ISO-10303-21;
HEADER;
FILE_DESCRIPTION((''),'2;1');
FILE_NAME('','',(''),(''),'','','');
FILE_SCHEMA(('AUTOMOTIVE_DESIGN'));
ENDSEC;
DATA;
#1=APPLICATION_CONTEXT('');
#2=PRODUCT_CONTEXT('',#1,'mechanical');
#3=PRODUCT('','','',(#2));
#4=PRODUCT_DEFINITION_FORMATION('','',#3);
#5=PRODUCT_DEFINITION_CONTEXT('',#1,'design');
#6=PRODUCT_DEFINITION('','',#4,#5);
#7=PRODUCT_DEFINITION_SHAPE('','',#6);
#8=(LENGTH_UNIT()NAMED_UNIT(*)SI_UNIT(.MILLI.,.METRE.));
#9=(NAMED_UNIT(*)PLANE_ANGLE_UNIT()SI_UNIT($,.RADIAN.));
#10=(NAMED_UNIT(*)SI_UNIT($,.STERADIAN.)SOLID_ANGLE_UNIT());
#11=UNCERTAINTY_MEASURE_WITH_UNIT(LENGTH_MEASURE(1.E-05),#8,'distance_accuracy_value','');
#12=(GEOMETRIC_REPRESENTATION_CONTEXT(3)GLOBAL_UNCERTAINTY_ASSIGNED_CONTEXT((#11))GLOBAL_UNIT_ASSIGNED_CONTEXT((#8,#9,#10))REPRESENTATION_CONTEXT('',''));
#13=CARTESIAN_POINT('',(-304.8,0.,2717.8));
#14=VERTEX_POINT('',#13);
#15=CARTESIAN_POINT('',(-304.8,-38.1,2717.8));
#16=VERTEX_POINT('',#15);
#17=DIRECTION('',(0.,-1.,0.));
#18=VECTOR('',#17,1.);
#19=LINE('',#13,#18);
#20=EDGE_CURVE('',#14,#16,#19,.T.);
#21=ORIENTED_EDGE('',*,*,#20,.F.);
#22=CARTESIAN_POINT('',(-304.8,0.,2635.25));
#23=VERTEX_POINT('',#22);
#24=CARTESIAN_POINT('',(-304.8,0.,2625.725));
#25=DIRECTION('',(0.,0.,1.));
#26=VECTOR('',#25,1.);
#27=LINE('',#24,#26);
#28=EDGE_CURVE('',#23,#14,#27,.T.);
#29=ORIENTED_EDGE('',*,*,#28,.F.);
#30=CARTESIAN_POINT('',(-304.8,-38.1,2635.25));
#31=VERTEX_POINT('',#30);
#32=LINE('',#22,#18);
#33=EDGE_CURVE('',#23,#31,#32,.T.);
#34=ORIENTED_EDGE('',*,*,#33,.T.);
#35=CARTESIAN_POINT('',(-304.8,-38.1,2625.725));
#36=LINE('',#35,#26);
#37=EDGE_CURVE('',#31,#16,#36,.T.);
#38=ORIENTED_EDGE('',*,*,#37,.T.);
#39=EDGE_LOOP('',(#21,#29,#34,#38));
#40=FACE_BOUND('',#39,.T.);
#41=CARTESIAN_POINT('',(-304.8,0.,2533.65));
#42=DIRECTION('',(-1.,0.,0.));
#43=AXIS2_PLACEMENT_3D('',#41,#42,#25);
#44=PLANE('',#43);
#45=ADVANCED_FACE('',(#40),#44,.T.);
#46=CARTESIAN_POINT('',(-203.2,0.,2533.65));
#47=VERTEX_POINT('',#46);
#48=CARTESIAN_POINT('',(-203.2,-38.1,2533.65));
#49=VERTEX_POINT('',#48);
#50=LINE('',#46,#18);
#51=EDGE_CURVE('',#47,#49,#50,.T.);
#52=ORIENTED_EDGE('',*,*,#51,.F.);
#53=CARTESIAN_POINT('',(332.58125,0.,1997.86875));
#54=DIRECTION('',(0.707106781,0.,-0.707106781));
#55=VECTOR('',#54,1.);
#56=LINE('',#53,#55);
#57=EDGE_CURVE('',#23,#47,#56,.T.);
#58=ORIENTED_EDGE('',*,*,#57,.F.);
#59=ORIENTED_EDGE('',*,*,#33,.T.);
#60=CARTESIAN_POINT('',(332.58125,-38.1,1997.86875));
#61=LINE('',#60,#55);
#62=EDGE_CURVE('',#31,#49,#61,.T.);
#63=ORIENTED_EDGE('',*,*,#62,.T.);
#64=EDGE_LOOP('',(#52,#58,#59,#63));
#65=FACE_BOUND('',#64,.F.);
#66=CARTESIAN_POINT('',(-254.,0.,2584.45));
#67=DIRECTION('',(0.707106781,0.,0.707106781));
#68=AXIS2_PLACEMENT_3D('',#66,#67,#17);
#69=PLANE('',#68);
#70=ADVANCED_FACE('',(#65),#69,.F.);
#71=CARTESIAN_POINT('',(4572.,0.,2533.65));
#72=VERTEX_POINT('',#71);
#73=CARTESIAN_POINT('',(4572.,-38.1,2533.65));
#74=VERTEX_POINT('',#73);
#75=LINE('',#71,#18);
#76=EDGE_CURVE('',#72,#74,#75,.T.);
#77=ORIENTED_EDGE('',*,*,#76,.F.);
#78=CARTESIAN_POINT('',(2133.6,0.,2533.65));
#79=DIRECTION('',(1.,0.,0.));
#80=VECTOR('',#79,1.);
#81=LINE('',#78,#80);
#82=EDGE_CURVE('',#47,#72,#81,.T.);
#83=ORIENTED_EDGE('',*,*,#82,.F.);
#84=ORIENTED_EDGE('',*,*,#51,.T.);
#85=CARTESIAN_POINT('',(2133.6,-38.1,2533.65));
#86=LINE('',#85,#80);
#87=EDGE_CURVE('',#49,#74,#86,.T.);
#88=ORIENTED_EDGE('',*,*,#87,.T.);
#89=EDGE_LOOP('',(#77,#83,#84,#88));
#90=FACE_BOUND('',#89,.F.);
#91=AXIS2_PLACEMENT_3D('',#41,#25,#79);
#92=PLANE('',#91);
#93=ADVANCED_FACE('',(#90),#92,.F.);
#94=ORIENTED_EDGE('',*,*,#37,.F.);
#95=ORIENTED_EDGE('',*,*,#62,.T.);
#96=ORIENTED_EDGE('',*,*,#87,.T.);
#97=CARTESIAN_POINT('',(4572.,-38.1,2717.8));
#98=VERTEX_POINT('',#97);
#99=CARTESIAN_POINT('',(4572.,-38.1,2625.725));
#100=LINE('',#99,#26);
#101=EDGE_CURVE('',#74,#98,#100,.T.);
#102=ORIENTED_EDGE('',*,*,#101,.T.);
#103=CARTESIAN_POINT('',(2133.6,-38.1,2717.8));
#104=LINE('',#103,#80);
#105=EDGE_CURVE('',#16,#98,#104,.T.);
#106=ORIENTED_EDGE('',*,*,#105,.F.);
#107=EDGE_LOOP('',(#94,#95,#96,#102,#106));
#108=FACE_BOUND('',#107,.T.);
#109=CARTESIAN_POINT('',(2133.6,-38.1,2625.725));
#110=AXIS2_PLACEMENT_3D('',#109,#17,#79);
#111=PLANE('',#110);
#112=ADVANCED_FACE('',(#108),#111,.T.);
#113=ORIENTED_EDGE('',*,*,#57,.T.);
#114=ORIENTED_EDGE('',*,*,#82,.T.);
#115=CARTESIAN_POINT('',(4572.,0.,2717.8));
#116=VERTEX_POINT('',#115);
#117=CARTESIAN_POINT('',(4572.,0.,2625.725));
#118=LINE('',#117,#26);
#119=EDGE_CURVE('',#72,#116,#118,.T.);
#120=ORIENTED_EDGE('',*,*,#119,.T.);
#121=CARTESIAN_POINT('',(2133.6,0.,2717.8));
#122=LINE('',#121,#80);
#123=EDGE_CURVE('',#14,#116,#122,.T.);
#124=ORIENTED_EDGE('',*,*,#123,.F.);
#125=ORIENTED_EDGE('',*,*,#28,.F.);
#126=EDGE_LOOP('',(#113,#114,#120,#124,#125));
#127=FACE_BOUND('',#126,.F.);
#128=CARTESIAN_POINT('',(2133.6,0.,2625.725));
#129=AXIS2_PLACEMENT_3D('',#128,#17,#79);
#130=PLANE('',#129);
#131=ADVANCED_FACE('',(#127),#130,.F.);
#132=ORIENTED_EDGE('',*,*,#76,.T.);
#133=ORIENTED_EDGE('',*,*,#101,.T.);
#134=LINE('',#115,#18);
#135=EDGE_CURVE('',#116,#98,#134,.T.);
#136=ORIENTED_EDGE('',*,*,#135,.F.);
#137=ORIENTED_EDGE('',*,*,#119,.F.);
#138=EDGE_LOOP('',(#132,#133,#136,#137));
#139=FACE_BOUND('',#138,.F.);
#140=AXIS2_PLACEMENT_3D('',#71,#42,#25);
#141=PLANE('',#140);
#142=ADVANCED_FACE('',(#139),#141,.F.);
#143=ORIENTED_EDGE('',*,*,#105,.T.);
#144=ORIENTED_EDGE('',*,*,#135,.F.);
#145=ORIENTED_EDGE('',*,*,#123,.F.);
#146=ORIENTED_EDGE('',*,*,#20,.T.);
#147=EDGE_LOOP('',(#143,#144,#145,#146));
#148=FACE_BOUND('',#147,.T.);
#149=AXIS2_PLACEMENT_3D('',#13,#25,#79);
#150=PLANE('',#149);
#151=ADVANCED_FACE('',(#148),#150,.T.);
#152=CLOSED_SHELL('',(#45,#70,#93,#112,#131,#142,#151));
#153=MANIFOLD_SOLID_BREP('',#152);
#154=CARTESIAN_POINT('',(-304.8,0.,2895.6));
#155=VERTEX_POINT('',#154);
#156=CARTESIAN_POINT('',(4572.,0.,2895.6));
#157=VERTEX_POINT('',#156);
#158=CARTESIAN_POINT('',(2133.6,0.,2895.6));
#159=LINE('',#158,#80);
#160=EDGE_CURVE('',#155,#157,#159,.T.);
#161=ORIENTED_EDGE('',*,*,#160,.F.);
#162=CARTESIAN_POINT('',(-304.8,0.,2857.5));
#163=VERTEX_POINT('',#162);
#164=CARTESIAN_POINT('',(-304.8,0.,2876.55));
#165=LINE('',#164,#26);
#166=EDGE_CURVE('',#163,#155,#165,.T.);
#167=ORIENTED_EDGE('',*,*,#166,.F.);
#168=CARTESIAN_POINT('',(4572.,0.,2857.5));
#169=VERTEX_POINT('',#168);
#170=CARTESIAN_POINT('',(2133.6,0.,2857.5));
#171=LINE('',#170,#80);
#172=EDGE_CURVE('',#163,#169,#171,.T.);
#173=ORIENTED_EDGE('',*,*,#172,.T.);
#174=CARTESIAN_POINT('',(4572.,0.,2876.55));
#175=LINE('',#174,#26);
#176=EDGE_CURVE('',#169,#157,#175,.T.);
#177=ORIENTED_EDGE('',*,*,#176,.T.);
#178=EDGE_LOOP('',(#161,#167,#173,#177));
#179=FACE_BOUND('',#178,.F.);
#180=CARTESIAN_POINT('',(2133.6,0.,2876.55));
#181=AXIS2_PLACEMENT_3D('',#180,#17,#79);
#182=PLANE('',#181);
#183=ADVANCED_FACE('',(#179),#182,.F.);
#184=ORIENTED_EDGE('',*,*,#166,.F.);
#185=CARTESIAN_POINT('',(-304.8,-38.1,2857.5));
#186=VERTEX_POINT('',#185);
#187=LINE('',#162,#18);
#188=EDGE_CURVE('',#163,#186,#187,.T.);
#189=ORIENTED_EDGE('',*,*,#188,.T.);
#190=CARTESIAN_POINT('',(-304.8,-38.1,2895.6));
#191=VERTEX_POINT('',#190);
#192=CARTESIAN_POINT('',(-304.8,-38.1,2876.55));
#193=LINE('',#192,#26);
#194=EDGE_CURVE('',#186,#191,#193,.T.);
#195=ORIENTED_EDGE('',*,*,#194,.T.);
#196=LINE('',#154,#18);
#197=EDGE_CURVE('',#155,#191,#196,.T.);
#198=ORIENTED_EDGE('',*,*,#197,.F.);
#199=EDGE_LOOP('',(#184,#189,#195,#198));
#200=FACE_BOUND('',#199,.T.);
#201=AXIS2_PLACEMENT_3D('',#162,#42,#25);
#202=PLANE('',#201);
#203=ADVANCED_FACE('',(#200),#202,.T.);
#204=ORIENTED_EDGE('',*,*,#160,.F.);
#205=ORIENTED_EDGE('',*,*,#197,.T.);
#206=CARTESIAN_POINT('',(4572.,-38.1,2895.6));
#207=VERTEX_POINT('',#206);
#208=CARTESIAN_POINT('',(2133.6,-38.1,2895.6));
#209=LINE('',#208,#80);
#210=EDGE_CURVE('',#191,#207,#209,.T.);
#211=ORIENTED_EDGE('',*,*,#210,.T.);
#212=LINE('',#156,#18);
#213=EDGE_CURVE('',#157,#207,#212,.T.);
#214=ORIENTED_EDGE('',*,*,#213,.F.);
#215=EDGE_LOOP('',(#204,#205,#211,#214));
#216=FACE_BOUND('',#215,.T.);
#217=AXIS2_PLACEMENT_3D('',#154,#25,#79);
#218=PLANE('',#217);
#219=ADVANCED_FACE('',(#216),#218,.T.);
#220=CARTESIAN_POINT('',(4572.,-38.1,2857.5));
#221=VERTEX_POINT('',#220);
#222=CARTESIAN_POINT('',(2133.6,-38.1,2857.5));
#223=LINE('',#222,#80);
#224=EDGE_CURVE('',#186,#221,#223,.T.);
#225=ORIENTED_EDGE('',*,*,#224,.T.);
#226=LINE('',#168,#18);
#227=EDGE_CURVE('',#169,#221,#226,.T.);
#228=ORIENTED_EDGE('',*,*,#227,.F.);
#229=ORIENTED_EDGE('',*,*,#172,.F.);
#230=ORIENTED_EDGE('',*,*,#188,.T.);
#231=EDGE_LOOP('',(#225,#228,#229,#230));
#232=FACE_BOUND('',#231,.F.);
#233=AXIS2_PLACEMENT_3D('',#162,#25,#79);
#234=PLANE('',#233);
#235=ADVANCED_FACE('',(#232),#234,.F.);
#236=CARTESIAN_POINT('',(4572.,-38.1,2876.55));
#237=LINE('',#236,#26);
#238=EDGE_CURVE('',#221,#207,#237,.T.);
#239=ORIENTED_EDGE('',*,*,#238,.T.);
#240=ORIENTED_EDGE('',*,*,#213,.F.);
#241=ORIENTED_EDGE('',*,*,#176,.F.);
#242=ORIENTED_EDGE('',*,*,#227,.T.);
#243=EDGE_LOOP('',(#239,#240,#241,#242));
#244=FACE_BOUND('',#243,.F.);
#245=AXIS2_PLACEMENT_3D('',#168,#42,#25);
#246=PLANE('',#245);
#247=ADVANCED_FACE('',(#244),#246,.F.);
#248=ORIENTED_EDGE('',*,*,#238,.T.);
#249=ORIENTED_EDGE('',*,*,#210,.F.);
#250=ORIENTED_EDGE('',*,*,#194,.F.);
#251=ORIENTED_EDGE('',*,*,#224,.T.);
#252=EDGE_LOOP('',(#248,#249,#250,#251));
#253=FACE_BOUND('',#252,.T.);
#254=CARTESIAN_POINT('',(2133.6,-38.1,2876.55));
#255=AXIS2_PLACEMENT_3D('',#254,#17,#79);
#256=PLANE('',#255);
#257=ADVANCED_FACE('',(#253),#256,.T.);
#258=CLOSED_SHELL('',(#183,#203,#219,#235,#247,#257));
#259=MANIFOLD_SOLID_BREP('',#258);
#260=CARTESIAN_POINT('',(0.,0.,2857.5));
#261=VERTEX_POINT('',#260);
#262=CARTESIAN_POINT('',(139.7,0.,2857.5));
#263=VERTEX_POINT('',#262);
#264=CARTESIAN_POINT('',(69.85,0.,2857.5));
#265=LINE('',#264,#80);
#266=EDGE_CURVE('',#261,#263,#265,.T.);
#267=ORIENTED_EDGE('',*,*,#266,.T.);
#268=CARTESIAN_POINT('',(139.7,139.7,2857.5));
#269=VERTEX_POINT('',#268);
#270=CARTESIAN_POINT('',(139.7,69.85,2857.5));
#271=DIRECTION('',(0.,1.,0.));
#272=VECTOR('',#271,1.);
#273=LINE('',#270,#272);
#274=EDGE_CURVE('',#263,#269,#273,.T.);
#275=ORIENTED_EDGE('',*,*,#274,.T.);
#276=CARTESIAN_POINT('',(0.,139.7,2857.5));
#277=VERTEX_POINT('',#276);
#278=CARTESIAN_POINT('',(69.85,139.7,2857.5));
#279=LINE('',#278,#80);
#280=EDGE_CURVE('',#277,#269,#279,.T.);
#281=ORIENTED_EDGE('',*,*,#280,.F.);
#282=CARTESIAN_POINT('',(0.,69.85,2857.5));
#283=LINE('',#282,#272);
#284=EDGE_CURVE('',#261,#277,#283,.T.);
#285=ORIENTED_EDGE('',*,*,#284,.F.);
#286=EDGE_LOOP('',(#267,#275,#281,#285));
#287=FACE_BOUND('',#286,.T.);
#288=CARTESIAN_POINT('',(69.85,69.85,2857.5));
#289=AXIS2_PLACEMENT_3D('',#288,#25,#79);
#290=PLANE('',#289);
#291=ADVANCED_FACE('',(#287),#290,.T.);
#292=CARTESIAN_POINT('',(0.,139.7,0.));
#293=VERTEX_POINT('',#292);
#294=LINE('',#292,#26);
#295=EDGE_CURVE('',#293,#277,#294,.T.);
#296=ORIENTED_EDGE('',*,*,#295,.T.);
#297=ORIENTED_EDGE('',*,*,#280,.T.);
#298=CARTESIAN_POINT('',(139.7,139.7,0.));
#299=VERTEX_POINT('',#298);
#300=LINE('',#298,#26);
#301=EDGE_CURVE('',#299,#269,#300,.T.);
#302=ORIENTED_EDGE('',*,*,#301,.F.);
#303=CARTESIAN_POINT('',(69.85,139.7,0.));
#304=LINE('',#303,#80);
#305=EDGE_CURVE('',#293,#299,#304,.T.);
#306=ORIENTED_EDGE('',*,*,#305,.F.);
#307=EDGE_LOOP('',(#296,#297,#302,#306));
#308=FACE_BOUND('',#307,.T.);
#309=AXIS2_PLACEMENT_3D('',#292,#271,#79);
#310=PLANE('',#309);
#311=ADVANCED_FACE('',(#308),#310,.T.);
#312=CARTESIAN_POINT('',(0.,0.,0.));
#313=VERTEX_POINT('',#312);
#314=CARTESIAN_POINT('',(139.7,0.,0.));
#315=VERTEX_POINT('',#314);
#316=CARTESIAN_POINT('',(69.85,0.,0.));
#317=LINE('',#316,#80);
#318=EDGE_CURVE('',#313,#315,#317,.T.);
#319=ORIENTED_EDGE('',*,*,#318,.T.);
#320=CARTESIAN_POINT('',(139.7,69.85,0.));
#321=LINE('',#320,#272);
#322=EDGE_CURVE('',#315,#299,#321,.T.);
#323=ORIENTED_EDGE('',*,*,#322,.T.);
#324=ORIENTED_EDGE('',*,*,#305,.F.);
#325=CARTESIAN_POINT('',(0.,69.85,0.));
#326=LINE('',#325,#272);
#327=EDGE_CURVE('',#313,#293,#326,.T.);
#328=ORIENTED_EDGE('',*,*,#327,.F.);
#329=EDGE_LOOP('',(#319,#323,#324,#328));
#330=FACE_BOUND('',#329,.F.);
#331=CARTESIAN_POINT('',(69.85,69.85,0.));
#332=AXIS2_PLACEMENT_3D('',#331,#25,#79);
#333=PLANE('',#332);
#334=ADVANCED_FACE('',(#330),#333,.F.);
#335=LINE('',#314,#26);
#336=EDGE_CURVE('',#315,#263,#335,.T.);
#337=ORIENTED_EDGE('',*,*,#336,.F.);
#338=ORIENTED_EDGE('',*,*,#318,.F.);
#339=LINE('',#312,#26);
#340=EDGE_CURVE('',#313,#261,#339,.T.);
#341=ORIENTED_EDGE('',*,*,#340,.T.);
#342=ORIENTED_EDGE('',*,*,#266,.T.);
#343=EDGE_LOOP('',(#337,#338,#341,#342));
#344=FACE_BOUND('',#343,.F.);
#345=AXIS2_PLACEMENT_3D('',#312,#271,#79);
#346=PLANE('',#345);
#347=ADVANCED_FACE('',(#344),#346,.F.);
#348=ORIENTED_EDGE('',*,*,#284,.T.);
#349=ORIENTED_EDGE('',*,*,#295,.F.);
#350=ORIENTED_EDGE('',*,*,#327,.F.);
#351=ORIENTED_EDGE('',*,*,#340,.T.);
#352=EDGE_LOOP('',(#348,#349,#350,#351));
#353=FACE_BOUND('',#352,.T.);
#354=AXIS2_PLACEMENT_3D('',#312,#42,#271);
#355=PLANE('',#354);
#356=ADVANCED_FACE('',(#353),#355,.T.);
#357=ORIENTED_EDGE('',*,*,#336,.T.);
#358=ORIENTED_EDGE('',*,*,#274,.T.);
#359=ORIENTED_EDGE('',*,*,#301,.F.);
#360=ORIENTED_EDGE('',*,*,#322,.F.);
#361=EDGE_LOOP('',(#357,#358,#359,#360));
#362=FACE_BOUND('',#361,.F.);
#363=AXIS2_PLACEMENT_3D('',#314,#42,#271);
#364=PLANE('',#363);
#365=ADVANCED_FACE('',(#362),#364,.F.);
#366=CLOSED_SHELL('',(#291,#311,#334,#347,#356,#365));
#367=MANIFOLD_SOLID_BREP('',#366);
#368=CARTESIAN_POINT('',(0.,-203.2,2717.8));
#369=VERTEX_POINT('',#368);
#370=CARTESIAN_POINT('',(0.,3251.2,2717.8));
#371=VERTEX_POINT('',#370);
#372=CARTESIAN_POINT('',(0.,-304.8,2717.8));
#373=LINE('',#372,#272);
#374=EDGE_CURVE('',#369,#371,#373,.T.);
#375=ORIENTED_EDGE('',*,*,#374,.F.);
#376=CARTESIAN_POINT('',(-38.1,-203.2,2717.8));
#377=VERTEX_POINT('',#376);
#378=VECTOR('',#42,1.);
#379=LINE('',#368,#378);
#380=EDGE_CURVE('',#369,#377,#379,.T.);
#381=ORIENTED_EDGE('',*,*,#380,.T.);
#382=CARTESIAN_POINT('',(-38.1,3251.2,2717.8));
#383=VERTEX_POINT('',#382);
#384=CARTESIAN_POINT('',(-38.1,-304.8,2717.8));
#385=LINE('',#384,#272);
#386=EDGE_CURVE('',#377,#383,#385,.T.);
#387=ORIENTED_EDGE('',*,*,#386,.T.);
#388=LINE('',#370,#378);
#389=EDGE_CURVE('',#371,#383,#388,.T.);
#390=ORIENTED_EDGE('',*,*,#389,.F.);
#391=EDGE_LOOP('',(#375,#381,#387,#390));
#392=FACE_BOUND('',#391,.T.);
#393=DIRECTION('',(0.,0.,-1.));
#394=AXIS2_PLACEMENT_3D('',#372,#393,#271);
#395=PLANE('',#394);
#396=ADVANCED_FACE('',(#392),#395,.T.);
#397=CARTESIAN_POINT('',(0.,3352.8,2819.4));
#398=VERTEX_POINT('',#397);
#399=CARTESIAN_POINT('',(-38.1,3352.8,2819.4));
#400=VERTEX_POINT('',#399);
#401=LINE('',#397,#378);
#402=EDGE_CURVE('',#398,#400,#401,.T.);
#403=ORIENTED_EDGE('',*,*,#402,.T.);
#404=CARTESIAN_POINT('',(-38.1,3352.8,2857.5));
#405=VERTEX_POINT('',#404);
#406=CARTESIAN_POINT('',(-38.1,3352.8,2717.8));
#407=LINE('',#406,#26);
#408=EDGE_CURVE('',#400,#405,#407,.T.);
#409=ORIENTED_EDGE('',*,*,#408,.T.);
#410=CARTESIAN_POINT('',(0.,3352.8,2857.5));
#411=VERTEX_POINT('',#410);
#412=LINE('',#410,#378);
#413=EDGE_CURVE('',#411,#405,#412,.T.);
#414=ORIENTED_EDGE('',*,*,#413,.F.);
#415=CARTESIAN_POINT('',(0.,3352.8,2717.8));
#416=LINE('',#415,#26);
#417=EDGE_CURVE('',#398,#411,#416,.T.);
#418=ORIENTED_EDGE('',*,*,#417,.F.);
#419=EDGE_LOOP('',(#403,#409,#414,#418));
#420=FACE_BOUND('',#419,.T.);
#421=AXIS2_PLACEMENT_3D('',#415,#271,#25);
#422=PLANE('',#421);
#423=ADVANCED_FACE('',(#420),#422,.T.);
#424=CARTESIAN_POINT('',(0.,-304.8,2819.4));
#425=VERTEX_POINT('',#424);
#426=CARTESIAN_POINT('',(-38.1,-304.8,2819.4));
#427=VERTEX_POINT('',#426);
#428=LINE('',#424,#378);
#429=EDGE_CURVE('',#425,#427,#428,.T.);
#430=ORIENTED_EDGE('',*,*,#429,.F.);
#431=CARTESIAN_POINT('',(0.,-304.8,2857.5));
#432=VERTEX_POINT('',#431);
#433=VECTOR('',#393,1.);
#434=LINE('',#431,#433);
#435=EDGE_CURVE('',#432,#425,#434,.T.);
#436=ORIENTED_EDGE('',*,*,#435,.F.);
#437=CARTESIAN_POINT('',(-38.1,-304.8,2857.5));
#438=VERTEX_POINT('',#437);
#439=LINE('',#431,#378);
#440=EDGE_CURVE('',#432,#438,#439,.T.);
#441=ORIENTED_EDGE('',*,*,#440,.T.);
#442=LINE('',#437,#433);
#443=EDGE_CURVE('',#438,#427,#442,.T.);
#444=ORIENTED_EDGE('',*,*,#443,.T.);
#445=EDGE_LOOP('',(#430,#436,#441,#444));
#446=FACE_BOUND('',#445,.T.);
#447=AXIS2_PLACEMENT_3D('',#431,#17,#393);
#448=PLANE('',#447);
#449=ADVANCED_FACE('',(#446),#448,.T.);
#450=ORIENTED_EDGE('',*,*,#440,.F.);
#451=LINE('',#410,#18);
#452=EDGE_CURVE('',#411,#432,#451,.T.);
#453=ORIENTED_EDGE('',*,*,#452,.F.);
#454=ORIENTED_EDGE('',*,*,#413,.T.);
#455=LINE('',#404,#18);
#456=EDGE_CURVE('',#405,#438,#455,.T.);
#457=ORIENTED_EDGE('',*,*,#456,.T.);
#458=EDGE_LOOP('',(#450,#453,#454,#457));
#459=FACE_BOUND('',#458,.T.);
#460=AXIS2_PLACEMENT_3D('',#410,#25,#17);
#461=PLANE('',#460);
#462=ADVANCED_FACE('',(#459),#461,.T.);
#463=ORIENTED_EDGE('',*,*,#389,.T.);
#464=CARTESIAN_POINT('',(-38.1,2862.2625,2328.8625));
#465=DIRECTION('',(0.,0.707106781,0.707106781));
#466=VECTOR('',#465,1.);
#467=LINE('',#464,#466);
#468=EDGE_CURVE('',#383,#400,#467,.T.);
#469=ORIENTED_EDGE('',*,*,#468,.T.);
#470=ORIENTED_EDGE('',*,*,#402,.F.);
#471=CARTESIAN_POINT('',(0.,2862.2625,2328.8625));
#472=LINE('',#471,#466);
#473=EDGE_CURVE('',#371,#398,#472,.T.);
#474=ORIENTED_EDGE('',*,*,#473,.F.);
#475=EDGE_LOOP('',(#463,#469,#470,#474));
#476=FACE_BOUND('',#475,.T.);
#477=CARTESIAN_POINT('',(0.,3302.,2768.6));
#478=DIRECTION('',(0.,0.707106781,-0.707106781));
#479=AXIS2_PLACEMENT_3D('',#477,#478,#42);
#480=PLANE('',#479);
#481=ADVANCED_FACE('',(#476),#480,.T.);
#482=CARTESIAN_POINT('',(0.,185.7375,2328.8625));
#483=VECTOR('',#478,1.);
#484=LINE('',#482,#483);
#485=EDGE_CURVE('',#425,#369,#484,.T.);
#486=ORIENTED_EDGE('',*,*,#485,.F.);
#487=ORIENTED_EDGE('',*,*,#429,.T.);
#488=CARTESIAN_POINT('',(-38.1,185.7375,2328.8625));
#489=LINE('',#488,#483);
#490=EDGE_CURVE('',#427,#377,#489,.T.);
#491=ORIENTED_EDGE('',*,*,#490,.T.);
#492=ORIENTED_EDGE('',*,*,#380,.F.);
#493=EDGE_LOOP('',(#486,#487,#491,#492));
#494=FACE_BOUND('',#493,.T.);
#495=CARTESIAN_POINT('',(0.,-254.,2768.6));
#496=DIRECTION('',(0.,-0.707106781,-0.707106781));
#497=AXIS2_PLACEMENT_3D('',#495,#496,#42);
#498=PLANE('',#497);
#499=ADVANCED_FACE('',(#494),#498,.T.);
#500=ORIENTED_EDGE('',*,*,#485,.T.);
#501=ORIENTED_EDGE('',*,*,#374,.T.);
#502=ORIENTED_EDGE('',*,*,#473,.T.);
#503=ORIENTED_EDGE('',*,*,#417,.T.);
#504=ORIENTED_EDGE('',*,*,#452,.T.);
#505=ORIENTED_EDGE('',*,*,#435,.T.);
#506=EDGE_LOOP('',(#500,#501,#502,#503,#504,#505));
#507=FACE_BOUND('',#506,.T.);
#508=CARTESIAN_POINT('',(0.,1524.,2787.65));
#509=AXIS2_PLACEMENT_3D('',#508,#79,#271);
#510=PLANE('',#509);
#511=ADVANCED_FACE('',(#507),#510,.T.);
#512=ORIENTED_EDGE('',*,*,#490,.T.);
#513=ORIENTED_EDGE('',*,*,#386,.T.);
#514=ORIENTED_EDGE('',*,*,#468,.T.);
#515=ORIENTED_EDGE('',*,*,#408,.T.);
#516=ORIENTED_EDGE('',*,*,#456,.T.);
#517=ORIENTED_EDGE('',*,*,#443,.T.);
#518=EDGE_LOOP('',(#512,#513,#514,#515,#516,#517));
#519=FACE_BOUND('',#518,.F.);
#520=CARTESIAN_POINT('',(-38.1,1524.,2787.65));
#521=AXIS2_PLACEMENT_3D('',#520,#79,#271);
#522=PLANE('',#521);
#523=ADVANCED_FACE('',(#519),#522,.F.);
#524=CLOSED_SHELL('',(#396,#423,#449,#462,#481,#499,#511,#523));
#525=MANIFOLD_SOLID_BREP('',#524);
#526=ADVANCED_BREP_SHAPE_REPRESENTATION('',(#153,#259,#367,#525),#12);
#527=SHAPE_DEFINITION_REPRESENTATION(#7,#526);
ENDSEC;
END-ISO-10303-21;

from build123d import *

# Parameters (mm, degrees)
F0_W     = 139.7
F0_H     = 139.7
F1_DEPTH = 2857.5
F2_W     = 4876.8
F2_H     = 184.15
F3_DEPTH = 38.1
F4_SIZE  = 101.6
F6_DEPTH = 38.1
F7_SIZE  = 101.6
F8_W     = 4876.8
F8_H     = 38.1
F9_DEPTH = 38.1


with BuildPart() as f1:
    # F0 (on Top) → F1 (new body)
    with BuildSketch(Plane.XY):
        with Locations((69.85, 69.85)):
            Rectangle(F0_W, F0_H)
    extrude(amount=F1_DEPTH)


with BuildPart() as f3:
    # F2 (on face) → F3 (new body)
    with BuildSketch(Plane.XZ):
        with Locations((2133.6, 2625.725)):
            Rectangle(F2_W, F2_H)
    extrude(amount=F3_DEPTH)

    # F4
    f4_edges = [f3.edges().sort_by_distance(p)[0] for p in [
        (-304.8, -19.05, 2533.65),
    ]]
    chamfer(f4_edges, length=F4_SIZE)


with BuildPart() as f6:
    # F5 (on Right) → F6 (new body)
    with BuildSketch(Plane.YZ):
        Polygon((3352.8, 2857.5), (-304.8, 2857.5), (-304.8, 2717.8), (-38.1, 2717.8), (0, 2717.8), (3352.8, 2717.8), align=None)
    extrude(amount=-F6_DEPTH)

    # F7
    f7_edges = [f6.edges().sort_by_distance(p)[0] for p in [
        (-19.05, -304.8, 2717.8),
        (-19.05, 3352.8, 2717.8),
    ]]
    chamfer(f7_edges, length=F7_SIZE)


with BuildPart() as f9:
    # F8 (on Front) → F9 (new body)
    with BuildSketch(Plane.XZ):
        with Locations((2133.6, 2876.55)):
            Rectangle(F8_W, F8_H)
    extrude(amount=F9_DEPTH)


solid = Compound([f1.part, f3.part, f6.part, f9.part])
